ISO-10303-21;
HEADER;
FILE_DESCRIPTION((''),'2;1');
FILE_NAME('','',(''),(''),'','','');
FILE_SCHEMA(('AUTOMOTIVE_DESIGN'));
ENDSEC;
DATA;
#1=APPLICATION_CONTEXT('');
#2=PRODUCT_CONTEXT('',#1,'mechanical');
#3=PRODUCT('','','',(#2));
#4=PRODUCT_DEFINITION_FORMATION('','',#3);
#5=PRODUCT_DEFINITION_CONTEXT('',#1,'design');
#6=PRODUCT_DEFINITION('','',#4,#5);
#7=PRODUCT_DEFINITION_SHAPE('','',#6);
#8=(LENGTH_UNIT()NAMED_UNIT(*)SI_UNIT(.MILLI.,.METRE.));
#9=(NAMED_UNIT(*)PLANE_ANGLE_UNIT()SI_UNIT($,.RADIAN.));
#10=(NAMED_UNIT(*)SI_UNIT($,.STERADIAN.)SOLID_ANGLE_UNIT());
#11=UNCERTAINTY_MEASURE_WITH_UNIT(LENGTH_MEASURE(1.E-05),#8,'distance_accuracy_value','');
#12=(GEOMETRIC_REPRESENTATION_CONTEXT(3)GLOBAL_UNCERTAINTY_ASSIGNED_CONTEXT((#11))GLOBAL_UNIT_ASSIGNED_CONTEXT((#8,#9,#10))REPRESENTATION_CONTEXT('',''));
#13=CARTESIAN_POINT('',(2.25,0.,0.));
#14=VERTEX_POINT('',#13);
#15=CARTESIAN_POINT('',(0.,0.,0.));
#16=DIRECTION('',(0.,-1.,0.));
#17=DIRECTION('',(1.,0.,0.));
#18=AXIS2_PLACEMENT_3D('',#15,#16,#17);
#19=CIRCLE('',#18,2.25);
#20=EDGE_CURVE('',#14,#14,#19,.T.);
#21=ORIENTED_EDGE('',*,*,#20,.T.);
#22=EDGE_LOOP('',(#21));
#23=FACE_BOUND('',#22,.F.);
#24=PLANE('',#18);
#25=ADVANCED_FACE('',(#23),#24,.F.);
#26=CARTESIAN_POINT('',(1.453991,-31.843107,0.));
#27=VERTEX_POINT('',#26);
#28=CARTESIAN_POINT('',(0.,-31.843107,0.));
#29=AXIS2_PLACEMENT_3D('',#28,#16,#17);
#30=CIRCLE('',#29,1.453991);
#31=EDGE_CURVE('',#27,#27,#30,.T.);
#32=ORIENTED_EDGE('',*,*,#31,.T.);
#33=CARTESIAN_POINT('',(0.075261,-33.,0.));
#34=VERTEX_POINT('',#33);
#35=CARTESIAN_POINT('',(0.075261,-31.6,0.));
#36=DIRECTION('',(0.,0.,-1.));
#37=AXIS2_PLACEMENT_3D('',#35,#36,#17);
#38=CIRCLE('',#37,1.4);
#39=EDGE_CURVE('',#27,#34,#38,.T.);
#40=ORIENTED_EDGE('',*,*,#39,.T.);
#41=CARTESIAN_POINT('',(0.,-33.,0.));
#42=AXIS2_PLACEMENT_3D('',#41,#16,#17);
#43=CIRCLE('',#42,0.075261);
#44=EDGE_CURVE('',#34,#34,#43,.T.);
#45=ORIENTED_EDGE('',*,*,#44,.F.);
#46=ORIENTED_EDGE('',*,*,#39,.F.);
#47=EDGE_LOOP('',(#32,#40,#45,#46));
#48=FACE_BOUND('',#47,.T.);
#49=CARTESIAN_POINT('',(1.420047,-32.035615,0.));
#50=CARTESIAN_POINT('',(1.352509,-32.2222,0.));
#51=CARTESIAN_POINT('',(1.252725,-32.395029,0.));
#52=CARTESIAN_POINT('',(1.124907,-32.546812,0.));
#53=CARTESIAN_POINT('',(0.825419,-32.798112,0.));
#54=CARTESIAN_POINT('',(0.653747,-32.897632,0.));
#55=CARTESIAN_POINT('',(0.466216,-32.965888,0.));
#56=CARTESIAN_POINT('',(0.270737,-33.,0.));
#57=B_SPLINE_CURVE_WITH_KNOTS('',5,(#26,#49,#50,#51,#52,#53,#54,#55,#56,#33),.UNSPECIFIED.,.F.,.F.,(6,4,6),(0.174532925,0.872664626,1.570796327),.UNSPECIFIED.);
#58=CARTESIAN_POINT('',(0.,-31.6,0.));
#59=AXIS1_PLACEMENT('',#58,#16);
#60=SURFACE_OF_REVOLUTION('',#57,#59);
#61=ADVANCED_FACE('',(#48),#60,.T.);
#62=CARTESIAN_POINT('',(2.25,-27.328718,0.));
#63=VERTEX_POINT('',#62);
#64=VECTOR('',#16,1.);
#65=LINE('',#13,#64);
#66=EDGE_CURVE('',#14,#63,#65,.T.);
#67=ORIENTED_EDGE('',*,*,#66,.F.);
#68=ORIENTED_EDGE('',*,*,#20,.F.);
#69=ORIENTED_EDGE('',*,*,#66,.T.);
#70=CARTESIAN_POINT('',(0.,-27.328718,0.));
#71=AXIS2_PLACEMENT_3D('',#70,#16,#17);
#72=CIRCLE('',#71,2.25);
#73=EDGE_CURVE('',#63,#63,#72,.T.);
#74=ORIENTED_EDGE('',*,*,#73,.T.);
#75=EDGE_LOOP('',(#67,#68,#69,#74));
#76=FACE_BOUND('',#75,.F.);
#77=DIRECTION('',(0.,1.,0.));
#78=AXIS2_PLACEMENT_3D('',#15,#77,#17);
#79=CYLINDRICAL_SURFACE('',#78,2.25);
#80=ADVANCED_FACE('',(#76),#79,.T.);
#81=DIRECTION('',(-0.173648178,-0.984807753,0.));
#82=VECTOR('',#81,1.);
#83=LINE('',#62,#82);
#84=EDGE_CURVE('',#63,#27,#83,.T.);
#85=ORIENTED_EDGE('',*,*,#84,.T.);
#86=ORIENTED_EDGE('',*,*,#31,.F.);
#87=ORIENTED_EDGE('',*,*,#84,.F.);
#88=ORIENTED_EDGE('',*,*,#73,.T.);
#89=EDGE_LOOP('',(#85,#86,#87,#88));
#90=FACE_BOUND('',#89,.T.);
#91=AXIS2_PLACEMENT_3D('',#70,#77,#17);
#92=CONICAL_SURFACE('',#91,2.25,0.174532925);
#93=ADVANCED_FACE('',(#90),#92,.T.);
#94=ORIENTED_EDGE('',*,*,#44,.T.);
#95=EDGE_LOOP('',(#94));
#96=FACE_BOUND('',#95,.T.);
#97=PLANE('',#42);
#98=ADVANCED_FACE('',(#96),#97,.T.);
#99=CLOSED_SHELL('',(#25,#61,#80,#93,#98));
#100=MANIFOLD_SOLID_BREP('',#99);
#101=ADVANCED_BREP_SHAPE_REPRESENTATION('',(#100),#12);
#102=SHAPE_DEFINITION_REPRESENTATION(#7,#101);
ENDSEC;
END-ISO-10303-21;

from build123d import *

# Parameters (mm, degrees)
F0_R     = 2.25
F1_DEPTH = 33
F2_SIZE2 = 1
F2_SIZE  = 5.6712818196
F3_R     = 1.4


with BuildPart() as f1:
    # F0 (on Front) → F1 (new body)
    with BuildSketch(Plane.XZ):
        Circle(F0_R)
    extrude(amount=F1_DEPTH)

    # F2
    f2_edges = [f1.edges().sort_by_distance(p)[0] for p in [
        (-2.25, -33, 0),
    ]]
    f2_side = f1.faces().sort_by_distance((-2.25, -16.5, 0))[0]
    chamfer(f2_edges, length=F2_SIZE, length2=F2_SIZE2, reference=f2_side)

    # F3
    f3_edges = [f1.edges().sort_by_distance(p)[0] for p in [
        (-1.25, -33, 0),
    ]]
    fillet(f3_edges, radius=F3_R)


solid = f1.part
